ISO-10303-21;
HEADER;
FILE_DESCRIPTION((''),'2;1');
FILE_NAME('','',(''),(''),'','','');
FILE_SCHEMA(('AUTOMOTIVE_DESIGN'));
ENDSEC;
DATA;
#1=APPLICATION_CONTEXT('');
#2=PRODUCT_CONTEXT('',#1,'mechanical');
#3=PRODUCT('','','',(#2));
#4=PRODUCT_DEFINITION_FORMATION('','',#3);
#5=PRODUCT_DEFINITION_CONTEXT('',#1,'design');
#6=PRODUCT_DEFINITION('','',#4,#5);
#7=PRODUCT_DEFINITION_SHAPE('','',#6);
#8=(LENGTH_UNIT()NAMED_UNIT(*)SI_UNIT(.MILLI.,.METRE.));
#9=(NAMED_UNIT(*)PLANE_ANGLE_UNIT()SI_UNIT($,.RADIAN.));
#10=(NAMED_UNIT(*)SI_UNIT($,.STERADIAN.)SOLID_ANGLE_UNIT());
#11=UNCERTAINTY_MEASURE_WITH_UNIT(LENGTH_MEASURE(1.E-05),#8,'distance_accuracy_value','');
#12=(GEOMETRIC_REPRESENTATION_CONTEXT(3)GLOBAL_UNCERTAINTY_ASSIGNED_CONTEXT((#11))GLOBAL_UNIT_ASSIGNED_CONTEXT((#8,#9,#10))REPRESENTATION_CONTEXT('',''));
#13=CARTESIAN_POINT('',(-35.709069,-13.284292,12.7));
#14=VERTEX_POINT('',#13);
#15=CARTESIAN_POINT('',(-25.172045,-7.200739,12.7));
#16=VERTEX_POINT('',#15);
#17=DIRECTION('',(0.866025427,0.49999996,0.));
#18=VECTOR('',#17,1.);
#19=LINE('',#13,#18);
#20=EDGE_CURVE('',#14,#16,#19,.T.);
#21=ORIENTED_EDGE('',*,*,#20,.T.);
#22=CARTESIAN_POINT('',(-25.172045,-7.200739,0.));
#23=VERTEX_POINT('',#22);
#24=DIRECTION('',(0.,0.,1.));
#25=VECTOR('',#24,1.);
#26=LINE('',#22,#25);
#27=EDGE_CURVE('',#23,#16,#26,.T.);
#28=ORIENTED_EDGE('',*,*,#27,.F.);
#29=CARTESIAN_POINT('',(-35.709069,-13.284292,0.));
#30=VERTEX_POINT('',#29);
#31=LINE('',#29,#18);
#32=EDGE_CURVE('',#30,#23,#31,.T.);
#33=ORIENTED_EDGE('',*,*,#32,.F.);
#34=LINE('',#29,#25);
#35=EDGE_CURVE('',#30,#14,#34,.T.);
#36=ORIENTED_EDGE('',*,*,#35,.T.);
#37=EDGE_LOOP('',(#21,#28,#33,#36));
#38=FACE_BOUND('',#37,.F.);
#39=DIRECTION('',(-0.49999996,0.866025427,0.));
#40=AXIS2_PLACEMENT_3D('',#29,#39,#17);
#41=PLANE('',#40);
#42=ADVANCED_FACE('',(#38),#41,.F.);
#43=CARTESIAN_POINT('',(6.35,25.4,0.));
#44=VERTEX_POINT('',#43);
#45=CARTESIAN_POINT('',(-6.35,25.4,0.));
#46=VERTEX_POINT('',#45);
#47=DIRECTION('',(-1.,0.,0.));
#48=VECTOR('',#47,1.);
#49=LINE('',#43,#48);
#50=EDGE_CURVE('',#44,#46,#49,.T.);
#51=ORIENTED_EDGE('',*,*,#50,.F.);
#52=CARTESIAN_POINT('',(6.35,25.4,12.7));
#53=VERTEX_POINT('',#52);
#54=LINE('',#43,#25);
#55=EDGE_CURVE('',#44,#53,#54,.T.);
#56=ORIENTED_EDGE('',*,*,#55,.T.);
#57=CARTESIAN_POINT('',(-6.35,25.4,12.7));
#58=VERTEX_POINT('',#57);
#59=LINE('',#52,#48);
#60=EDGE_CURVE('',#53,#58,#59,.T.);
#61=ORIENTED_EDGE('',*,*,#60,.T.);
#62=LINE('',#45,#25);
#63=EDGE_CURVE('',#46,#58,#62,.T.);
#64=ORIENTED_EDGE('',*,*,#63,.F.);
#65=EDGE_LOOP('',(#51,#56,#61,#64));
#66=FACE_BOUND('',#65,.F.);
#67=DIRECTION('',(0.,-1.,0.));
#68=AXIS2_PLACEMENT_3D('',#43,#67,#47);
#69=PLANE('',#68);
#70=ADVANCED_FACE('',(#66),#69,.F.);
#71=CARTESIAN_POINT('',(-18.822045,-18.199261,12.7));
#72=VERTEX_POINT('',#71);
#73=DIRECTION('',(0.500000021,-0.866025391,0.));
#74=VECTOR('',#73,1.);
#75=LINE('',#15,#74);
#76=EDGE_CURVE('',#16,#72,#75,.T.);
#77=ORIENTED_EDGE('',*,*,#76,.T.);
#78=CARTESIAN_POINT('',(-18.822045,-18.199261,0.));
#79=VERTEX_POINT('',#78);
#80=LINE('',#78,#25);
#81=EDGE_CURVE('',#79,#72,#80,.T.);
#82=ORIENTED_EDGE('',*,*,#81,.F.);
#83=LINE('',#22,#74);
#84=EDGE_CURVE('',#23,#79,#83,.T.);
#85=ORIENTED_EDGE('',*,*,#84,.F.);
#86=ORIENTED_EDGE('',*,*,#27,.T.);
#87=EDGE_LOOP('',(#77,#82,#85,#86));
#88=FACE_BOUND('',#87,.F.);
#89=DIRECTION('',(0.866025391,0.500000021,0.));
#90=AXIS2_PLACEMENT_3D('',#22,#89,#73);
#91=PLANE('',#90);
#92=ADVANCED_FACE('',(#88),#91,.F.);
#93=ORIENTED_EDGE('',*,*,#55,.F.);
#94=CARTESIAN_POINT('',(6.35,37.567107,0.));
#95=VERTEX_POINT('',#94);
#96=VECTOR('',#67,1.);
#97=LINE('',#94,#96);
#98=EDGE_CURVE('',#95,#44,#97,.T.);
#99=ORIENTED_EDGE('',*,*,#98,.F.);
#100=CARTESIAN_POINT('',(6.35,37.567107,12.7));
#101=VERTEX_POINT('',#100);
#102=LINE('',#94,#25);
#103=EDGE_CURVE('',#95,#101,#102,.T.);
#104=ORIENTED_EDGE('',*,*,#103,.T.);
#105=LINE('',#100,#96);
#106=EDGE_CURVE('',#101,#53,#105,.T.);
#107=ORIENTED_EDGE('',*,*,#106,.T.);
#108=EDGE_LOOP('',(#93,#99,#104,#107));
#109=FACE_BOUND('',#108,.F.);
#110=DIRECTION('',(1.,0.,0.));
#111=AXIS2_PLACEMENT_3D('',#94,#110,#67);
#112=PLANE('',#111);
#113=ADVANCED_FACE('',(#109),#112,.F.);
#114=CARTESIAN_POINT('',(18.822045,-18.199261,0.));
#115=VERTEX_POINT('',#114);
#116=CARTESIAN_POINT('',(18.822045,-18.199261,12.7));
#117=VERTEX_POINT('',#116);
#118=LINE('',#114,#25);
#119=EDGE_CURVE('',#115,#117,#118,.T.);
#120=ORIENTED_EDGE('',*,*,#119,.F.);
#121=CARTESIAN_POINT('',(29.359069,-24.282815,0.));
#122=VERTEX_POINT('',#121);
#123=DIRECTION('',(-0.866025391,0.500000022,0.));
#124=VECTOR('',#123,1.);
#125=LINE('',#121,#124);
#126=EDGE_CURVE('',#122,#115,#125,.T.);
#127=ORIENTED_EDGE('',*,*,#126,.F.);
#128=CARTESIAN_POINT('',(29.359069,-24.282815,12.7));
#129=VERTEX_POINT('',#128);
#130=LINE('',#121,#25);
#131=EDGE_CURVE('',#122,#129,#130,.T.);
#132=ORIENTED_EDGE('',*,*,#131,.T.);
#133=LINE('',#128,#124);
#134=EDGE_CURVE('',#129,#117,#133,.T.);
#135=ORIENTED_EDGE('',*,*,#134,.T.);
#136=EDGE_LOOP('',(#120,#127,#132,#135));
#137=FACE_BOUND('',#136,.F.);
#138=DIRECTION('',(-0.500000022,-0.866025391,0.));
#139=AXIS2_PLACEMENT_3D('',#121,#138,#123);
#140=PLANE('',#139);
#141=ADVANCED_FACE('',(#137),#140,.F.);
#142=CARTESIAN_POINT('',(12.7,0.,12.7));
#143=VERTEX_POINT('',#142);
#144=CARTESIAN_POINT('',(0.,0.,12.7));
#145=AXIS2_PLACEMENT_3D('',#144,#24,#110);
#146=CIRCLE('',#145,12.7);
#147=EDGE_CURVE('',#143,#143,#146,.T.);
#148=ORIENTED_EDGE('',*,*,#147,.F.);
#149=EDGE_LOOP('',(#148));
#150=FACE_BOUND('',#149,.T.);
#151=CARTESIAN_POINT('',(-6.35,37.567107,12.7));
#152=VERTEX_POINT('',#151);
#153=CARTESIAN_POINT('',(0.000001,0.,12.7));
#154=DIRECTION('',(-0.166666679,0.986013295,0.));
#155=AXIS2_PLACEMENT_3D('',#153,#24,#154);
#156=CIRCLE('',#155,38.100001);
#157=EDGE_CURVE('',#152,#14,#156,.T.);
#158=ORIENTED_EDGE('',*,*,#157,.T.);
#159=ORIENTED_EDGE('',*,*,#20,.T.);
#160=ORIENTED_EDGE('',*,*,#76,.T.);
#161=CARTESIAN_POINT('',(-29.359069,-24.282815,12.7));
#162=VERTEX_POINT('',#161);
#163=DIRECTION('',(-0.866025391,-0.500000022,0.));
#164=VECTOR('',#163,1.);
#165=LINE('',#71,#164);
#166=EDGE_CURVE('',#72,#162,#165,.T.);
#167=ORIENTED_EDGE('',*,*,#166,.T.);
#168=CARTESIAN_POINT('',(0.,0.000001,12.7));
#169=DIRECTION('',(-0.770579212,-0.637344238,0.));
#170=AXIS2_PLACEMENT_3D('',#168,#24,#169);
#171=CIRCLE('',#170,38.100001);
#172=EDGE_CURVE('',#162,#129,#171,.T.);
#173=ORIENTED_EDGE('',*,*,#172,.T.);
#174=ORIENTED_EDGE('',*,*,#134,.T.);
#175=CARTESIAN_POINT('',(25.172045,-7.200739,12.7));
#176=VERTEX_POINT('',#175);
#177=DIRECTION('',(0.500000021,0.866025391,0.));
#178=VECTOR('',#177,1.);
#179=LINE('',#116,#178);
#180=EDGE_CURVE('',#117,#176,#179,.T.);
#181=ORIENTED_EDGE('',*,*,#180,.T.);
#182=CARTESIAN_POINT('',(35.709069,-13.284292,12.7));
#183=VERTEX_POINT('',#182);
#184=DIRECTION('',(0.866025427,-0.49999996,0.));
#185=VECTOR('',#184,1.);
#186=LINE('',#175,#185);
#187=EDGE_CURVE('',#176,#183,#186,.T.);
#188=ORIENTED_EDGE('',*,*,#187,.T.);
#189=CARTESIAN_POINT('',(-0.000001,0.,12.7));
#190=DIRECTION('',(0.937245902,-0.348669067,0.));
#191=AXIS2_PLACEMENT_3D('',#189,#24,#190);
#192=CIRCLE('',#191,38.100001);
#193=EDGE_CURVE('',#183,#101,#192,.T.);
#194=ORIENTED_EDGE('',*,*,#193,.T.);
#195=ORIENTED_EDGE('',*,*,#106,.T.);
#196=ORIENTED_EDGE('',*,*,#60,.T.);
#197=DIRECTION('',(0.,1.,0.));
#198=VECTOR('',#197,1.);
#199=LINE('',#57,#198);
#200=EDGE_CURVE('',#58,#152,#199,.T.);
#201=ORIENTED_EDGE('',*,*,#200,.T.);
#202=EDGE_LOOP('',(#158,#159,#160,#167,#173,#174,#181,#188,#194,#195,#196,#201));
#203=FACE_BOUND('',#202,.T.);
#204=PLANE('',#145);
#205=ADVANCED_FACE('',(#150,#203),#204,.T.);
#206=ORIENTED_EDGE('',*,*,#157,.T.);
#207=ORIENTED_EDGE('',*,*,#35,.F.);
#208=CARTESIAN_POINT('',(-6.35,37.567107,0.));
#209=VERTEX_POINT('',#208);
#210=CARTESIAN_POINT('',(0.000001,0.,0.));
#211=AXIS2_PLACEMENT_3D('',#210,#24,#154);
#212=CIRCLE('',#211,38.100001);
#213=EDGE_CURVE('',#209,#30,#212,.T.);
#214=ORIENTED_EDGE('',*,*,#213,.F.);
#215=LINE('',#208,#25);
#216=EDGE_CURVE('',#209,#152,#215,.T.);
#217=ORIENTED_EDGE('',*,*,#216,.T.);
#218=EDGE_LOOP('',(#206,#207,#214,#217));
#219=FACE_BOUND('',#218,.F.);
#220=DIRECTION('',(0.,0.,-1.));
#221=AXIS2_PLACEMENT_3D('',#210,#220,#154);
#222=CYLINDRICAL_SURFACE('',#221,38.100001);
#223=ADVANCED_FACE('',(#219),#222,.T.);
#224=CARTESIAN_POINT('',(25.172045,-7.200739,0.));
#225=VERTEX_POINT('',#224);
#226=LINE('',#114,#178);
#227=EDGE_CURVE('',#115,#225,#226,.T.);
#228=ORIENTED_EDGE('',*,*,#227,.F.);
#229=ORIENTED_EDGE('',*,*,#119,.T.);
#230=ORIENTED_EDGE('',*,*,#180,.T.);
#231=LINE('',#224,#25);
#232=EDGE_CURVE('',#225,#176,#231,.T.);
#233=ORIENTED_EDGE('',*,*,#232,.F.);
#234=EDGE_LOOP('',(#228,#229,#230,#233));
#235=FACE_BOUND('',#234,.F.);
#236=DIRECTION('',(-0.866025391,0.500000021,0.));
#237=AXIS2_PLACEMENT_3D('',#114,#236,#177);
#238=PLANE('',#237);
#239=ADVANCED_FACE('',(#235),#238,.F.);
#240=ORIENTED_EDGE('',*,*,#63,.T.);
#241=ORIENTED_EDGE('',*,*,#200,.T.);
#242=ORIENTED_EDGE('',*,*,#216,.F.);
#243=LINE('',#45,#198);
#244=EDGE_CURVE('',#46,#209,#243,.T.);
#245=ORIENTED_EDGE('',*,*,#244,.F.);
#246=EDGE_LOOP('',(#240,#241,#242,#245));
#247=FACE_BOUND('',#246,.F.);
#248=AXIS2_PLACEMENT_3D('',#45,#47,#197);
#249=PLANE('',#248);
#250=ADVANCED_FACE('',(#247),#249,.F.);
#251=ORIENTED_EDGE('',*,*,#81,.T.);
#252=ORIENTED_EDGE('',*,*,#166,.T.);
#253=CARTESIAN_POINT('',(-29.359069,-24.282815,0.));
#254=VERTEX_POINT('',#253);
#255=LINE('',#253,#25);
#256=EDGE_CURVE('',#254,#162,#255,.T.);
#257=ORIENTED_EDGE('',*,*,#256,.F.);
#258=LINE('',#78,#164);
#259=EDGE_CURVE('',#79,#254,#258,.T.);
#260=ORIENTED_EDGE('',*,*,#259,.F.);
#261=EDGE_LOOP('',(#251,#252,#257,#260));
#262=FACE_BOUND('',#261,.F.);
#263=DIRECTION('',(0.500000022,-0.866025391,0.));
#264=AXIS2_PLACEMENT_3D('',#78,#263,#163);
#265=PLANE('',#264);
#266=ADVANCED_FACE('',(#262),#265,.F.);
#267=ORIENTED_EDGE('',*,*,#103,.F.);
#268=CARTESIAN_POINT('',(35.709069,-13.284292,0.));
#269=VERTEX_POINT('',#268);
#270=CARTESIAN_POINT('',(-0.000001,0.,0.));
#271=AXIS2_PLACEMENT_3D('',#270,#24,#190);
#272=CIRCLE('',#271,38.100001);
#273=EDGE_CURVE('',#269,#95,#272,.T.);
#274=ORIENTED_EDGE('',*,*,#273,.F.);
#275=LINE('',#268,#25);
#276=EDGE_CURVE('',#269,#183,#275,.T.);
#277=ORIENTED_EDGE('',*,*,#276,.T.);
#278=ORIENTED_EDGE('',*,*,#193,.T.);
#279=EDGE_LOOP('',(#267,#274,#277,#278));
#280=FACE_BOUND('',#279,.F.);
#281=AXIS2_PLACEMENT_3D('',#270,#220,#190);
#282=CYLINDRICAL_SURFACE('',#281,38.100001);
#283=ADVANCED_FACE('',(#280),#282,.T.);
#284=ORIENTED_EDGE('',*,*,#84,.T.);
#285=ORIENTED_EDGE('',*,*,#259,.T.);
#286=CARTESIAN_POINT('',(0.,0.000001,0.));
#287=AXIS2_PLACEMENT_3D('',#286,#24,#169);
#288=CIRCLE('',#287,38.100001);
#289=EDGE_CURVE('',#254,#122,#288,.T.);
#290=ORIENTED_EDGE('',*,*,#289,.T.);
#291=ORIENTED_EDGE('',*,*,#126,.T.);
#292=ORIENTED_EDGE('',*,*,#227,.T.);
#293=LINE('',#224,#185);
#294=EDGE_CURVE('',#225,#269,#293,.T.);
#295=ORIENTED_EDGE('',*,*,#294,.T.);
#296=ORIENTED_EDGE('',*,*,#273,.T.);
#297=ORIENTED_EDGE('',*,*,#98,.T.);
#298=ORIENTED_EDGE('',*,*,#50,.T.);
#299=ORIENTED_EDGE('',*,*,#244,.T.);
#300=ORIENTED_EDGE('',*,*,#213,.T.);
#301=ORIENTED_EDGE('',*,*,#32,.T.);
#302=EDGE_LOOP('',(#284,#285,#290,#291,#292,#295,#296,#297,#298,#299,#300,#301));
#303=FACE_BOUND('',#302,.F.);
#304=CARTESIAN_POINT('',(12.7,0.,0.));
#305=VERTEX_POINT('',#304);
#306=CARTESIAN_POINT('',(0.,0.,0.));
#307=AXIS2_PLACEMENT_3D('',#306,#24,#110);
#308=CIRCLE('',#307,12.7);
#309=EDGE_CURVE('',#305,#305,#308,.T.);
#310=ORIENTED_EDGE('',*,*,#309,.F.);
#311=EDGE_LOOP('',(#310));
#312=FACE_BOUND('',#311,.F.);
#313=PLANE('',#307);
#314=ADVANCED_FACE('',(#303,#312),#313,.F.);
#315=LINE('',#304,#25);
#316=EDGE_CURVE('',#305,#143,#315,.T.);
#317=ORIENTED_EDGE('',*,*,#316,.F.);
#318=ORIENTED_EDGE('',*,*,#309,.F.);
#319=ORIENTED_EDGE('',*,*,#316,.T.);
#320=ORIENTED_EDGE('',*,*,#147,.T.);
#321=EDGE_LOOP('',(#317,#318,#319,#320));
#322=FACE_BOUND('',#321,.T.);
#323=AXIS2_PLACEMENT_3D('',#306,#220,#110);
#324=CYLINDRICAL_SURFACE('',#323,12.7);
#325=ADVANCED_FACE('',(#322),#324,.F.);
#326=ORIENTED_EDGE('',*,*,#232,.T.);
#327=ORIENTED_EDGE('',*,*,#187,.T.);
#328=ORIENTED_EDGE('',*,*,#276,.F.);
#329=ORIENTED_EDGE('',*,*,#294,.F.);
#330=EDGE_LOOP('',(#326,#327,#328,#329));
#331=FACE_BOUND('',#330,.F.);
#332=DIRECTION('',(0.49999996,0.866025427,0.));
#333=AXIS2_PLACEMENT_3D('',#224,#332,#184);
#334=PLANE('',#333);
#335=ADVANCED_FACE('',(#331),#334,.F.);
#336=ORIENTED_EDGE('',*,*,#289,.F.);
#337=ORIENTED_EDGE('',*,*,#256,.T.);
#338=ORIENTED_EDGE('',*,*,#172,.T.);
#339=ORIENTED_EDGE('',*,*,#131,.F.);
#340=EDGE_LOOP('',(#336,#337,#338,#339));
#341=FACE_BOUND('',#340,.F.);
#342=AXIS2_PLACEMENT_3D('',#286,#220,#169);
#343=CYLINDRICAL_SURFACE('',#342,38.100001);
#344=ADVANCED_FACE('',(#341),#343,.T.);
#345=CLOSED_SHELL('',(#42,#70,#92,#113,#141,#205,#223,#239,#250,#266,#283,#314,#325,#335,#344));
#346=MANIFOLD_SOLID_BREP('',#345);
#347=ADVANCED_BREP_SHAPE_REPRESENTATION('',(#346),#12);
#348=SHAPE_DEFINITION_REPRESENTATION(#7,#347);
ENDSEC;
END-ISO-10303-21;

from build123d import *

# Parameters (mm, degrees)
F0_R     = 12.7
F1_DEPTH = 12.7


with BuildPart() as f1:
    # F0 (on Top) → F1 (new body)
    with BuildSketch(Plane.XY):
        with BuildLine():
            Line((-6.35, 25.4), (-6.35, 37.567107))
            ThreePointArc((-6.35, 37.567107), (-32.995568, 19.05), (-35.709069, -13.284292))
            Line((-35.709069, -13.284292), (-25.172045, -7.200739))
            Line((-25.172045, -7.200739), (-18.822045, -18.199261))
            Line((-18.822045, -18.199261), (-29.359069, -24.282815))
            ThreePointArc((-29.359069, -24.282815), (0, -38.1), (29.359069, -24.282815))
            Line((29.359069, -24.282815), (18.822045, -18.199261))
            Line((18.822045, -18.199261), (25.172045, -7.200739))
            Line((25.172045, -7.200739), (35.709069, -13.284292))
            ThreePointArc((35.709069, -13.284292), (32.995568, 19.05), (6.35, 37.567107))
            Line((6.35, 37.567107), (6.35, 25.4))
            Line((6.35, 25.4), (-6.35, 25.4))
        make_face()
        Circle(F0_R, mode=Mode.SUBTRACT)
    extrude(amount=F1_DEPTH)


solid = f1.part
